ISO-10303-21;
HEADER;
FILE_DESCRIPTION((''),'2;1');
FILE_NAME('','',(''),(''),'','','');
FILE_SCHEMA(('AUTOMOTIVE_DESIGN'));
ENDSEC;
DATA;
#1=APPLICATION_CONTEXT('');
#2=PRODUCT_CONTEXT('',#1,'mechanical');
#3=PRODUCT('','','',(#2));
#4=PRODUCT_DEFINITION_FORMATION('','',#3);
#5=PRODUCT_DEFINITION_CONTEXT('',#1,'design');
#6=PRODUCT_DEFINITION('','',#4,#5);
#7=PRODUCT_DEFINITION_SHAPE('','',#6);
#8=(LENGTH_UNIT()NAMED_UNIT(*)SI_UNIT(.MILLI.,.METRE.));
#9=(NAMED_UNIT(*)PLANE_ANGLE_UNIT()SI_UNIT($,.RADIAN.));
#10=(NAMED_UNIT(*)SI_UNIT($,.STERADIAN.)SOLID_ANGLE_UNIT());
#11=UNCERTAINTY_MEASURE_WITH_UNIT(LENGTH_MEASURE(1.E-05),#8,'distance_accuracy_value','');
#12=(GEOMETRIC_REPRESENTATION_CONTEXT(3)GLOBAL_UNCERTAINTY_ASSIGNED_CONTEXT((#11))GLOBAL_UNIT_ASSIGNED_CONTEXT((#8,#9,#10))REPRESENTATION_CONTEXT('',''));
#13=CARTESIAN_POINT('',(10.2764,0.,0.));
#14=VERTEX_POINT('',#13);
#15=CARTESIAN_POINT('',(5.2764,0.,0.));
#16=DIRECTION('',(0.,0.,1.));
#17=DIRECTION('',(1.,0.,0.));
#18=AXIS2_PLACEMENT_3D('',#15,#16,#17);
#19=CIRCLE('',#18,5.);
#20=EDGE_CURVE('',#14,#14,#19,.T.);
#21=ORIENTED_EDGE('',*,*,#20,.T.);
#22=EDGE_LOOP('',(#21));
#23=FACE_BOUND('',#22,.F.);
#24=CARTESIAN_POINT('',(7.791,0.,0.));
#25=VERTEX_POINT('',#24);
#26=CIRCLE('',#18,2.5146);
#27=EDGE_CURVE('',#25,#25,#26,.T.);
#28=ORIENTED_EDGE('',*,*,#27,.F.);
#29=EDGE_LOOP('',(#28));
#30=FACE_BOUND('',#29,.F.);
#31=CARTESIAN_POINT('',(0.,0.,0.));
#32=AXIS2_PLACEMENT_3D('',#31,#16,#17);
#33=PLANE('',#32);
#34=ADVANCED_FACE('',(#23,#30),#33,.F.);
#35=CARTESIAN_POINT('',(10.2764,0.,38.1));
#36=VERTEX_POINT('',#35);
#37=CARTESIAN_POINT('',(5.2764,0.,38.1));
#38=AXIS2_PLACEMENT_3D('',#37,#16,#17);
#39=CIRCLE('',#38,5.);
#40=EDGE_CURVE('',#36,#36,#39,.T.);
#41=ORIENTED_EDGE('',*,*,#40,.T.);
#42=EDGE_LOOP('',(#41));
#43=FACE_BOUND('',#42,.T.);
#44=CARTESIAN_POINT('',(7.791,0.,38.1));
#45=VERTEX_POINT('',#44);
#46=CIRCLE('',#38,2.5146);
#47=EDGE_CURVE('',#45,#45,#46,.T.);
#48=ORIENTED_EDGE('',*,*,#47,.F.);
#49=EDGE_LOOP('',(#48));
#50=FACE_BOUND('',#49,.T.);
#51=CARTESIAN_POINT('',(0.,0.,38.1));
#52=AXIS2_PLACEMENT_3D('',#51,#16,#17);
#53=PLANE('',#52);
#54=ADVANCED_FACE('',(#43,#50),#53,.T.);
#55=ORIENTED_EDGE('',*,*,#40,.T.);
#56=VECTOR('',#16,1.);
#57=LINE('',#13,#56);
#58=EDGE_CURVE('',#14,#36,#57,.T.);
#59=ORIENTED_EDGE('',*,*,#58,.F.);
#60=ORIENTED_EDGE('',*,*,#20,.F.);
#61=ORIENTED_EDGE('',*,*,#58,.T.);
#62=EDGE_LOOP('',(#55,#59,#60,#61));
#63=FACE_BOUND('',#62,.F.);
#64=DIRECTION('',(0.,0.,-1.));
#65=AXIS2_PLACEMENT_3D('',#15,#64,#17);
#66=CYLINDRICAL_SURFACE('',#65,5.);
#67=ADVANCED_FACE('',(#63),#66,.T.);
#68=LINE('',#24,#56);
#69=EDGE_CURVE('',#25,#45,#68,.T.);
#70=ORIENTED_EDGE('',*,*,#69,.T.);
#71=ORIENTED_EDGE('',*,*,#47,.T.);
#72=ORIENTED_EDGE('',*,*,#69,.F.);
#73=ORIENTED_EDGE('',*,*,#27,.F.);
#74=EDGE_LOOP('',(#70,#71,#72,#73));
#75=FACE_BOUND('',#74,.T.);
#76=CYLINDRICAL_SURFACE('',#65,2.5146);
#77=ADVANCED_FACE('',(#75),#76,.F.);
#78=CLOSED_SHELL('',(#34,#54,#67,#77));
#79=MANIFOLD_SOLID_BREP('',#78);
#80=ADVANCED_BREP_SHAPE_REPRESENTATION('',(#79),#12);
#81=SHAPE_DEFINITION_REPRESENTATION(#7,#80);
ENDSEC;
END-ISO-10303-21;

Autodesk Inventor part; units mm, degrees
ref_plane "YZ Plane" through (0, 0, 0) normal (1, 0, 0) x (0, 1, 0)
ref_plane "XZ Plane" through (0, 0, 0) normal (0, 1, 0) x (-1, 0, 0)
ref_plane "XY Plane" through (0, 0, 0) normal (0, 0, 1) x (1, 0, 0)
sketch "Sketch1" plane through (0, 0, 0) normal (0, 0, 1) x (1, 0, 0)
  circle A0 centre (5.2764, 0) radius 5
  circle A1 centre (5.2764, 0) radius 2.5146
  point P0 (0, 0)
  dimension "d0" = 10
  dimension "d1" = 5.0292
extrude "Extrusion1" add sketch "Sketch1" along normal blind 38.1
properties part number "Distance Limiter"
